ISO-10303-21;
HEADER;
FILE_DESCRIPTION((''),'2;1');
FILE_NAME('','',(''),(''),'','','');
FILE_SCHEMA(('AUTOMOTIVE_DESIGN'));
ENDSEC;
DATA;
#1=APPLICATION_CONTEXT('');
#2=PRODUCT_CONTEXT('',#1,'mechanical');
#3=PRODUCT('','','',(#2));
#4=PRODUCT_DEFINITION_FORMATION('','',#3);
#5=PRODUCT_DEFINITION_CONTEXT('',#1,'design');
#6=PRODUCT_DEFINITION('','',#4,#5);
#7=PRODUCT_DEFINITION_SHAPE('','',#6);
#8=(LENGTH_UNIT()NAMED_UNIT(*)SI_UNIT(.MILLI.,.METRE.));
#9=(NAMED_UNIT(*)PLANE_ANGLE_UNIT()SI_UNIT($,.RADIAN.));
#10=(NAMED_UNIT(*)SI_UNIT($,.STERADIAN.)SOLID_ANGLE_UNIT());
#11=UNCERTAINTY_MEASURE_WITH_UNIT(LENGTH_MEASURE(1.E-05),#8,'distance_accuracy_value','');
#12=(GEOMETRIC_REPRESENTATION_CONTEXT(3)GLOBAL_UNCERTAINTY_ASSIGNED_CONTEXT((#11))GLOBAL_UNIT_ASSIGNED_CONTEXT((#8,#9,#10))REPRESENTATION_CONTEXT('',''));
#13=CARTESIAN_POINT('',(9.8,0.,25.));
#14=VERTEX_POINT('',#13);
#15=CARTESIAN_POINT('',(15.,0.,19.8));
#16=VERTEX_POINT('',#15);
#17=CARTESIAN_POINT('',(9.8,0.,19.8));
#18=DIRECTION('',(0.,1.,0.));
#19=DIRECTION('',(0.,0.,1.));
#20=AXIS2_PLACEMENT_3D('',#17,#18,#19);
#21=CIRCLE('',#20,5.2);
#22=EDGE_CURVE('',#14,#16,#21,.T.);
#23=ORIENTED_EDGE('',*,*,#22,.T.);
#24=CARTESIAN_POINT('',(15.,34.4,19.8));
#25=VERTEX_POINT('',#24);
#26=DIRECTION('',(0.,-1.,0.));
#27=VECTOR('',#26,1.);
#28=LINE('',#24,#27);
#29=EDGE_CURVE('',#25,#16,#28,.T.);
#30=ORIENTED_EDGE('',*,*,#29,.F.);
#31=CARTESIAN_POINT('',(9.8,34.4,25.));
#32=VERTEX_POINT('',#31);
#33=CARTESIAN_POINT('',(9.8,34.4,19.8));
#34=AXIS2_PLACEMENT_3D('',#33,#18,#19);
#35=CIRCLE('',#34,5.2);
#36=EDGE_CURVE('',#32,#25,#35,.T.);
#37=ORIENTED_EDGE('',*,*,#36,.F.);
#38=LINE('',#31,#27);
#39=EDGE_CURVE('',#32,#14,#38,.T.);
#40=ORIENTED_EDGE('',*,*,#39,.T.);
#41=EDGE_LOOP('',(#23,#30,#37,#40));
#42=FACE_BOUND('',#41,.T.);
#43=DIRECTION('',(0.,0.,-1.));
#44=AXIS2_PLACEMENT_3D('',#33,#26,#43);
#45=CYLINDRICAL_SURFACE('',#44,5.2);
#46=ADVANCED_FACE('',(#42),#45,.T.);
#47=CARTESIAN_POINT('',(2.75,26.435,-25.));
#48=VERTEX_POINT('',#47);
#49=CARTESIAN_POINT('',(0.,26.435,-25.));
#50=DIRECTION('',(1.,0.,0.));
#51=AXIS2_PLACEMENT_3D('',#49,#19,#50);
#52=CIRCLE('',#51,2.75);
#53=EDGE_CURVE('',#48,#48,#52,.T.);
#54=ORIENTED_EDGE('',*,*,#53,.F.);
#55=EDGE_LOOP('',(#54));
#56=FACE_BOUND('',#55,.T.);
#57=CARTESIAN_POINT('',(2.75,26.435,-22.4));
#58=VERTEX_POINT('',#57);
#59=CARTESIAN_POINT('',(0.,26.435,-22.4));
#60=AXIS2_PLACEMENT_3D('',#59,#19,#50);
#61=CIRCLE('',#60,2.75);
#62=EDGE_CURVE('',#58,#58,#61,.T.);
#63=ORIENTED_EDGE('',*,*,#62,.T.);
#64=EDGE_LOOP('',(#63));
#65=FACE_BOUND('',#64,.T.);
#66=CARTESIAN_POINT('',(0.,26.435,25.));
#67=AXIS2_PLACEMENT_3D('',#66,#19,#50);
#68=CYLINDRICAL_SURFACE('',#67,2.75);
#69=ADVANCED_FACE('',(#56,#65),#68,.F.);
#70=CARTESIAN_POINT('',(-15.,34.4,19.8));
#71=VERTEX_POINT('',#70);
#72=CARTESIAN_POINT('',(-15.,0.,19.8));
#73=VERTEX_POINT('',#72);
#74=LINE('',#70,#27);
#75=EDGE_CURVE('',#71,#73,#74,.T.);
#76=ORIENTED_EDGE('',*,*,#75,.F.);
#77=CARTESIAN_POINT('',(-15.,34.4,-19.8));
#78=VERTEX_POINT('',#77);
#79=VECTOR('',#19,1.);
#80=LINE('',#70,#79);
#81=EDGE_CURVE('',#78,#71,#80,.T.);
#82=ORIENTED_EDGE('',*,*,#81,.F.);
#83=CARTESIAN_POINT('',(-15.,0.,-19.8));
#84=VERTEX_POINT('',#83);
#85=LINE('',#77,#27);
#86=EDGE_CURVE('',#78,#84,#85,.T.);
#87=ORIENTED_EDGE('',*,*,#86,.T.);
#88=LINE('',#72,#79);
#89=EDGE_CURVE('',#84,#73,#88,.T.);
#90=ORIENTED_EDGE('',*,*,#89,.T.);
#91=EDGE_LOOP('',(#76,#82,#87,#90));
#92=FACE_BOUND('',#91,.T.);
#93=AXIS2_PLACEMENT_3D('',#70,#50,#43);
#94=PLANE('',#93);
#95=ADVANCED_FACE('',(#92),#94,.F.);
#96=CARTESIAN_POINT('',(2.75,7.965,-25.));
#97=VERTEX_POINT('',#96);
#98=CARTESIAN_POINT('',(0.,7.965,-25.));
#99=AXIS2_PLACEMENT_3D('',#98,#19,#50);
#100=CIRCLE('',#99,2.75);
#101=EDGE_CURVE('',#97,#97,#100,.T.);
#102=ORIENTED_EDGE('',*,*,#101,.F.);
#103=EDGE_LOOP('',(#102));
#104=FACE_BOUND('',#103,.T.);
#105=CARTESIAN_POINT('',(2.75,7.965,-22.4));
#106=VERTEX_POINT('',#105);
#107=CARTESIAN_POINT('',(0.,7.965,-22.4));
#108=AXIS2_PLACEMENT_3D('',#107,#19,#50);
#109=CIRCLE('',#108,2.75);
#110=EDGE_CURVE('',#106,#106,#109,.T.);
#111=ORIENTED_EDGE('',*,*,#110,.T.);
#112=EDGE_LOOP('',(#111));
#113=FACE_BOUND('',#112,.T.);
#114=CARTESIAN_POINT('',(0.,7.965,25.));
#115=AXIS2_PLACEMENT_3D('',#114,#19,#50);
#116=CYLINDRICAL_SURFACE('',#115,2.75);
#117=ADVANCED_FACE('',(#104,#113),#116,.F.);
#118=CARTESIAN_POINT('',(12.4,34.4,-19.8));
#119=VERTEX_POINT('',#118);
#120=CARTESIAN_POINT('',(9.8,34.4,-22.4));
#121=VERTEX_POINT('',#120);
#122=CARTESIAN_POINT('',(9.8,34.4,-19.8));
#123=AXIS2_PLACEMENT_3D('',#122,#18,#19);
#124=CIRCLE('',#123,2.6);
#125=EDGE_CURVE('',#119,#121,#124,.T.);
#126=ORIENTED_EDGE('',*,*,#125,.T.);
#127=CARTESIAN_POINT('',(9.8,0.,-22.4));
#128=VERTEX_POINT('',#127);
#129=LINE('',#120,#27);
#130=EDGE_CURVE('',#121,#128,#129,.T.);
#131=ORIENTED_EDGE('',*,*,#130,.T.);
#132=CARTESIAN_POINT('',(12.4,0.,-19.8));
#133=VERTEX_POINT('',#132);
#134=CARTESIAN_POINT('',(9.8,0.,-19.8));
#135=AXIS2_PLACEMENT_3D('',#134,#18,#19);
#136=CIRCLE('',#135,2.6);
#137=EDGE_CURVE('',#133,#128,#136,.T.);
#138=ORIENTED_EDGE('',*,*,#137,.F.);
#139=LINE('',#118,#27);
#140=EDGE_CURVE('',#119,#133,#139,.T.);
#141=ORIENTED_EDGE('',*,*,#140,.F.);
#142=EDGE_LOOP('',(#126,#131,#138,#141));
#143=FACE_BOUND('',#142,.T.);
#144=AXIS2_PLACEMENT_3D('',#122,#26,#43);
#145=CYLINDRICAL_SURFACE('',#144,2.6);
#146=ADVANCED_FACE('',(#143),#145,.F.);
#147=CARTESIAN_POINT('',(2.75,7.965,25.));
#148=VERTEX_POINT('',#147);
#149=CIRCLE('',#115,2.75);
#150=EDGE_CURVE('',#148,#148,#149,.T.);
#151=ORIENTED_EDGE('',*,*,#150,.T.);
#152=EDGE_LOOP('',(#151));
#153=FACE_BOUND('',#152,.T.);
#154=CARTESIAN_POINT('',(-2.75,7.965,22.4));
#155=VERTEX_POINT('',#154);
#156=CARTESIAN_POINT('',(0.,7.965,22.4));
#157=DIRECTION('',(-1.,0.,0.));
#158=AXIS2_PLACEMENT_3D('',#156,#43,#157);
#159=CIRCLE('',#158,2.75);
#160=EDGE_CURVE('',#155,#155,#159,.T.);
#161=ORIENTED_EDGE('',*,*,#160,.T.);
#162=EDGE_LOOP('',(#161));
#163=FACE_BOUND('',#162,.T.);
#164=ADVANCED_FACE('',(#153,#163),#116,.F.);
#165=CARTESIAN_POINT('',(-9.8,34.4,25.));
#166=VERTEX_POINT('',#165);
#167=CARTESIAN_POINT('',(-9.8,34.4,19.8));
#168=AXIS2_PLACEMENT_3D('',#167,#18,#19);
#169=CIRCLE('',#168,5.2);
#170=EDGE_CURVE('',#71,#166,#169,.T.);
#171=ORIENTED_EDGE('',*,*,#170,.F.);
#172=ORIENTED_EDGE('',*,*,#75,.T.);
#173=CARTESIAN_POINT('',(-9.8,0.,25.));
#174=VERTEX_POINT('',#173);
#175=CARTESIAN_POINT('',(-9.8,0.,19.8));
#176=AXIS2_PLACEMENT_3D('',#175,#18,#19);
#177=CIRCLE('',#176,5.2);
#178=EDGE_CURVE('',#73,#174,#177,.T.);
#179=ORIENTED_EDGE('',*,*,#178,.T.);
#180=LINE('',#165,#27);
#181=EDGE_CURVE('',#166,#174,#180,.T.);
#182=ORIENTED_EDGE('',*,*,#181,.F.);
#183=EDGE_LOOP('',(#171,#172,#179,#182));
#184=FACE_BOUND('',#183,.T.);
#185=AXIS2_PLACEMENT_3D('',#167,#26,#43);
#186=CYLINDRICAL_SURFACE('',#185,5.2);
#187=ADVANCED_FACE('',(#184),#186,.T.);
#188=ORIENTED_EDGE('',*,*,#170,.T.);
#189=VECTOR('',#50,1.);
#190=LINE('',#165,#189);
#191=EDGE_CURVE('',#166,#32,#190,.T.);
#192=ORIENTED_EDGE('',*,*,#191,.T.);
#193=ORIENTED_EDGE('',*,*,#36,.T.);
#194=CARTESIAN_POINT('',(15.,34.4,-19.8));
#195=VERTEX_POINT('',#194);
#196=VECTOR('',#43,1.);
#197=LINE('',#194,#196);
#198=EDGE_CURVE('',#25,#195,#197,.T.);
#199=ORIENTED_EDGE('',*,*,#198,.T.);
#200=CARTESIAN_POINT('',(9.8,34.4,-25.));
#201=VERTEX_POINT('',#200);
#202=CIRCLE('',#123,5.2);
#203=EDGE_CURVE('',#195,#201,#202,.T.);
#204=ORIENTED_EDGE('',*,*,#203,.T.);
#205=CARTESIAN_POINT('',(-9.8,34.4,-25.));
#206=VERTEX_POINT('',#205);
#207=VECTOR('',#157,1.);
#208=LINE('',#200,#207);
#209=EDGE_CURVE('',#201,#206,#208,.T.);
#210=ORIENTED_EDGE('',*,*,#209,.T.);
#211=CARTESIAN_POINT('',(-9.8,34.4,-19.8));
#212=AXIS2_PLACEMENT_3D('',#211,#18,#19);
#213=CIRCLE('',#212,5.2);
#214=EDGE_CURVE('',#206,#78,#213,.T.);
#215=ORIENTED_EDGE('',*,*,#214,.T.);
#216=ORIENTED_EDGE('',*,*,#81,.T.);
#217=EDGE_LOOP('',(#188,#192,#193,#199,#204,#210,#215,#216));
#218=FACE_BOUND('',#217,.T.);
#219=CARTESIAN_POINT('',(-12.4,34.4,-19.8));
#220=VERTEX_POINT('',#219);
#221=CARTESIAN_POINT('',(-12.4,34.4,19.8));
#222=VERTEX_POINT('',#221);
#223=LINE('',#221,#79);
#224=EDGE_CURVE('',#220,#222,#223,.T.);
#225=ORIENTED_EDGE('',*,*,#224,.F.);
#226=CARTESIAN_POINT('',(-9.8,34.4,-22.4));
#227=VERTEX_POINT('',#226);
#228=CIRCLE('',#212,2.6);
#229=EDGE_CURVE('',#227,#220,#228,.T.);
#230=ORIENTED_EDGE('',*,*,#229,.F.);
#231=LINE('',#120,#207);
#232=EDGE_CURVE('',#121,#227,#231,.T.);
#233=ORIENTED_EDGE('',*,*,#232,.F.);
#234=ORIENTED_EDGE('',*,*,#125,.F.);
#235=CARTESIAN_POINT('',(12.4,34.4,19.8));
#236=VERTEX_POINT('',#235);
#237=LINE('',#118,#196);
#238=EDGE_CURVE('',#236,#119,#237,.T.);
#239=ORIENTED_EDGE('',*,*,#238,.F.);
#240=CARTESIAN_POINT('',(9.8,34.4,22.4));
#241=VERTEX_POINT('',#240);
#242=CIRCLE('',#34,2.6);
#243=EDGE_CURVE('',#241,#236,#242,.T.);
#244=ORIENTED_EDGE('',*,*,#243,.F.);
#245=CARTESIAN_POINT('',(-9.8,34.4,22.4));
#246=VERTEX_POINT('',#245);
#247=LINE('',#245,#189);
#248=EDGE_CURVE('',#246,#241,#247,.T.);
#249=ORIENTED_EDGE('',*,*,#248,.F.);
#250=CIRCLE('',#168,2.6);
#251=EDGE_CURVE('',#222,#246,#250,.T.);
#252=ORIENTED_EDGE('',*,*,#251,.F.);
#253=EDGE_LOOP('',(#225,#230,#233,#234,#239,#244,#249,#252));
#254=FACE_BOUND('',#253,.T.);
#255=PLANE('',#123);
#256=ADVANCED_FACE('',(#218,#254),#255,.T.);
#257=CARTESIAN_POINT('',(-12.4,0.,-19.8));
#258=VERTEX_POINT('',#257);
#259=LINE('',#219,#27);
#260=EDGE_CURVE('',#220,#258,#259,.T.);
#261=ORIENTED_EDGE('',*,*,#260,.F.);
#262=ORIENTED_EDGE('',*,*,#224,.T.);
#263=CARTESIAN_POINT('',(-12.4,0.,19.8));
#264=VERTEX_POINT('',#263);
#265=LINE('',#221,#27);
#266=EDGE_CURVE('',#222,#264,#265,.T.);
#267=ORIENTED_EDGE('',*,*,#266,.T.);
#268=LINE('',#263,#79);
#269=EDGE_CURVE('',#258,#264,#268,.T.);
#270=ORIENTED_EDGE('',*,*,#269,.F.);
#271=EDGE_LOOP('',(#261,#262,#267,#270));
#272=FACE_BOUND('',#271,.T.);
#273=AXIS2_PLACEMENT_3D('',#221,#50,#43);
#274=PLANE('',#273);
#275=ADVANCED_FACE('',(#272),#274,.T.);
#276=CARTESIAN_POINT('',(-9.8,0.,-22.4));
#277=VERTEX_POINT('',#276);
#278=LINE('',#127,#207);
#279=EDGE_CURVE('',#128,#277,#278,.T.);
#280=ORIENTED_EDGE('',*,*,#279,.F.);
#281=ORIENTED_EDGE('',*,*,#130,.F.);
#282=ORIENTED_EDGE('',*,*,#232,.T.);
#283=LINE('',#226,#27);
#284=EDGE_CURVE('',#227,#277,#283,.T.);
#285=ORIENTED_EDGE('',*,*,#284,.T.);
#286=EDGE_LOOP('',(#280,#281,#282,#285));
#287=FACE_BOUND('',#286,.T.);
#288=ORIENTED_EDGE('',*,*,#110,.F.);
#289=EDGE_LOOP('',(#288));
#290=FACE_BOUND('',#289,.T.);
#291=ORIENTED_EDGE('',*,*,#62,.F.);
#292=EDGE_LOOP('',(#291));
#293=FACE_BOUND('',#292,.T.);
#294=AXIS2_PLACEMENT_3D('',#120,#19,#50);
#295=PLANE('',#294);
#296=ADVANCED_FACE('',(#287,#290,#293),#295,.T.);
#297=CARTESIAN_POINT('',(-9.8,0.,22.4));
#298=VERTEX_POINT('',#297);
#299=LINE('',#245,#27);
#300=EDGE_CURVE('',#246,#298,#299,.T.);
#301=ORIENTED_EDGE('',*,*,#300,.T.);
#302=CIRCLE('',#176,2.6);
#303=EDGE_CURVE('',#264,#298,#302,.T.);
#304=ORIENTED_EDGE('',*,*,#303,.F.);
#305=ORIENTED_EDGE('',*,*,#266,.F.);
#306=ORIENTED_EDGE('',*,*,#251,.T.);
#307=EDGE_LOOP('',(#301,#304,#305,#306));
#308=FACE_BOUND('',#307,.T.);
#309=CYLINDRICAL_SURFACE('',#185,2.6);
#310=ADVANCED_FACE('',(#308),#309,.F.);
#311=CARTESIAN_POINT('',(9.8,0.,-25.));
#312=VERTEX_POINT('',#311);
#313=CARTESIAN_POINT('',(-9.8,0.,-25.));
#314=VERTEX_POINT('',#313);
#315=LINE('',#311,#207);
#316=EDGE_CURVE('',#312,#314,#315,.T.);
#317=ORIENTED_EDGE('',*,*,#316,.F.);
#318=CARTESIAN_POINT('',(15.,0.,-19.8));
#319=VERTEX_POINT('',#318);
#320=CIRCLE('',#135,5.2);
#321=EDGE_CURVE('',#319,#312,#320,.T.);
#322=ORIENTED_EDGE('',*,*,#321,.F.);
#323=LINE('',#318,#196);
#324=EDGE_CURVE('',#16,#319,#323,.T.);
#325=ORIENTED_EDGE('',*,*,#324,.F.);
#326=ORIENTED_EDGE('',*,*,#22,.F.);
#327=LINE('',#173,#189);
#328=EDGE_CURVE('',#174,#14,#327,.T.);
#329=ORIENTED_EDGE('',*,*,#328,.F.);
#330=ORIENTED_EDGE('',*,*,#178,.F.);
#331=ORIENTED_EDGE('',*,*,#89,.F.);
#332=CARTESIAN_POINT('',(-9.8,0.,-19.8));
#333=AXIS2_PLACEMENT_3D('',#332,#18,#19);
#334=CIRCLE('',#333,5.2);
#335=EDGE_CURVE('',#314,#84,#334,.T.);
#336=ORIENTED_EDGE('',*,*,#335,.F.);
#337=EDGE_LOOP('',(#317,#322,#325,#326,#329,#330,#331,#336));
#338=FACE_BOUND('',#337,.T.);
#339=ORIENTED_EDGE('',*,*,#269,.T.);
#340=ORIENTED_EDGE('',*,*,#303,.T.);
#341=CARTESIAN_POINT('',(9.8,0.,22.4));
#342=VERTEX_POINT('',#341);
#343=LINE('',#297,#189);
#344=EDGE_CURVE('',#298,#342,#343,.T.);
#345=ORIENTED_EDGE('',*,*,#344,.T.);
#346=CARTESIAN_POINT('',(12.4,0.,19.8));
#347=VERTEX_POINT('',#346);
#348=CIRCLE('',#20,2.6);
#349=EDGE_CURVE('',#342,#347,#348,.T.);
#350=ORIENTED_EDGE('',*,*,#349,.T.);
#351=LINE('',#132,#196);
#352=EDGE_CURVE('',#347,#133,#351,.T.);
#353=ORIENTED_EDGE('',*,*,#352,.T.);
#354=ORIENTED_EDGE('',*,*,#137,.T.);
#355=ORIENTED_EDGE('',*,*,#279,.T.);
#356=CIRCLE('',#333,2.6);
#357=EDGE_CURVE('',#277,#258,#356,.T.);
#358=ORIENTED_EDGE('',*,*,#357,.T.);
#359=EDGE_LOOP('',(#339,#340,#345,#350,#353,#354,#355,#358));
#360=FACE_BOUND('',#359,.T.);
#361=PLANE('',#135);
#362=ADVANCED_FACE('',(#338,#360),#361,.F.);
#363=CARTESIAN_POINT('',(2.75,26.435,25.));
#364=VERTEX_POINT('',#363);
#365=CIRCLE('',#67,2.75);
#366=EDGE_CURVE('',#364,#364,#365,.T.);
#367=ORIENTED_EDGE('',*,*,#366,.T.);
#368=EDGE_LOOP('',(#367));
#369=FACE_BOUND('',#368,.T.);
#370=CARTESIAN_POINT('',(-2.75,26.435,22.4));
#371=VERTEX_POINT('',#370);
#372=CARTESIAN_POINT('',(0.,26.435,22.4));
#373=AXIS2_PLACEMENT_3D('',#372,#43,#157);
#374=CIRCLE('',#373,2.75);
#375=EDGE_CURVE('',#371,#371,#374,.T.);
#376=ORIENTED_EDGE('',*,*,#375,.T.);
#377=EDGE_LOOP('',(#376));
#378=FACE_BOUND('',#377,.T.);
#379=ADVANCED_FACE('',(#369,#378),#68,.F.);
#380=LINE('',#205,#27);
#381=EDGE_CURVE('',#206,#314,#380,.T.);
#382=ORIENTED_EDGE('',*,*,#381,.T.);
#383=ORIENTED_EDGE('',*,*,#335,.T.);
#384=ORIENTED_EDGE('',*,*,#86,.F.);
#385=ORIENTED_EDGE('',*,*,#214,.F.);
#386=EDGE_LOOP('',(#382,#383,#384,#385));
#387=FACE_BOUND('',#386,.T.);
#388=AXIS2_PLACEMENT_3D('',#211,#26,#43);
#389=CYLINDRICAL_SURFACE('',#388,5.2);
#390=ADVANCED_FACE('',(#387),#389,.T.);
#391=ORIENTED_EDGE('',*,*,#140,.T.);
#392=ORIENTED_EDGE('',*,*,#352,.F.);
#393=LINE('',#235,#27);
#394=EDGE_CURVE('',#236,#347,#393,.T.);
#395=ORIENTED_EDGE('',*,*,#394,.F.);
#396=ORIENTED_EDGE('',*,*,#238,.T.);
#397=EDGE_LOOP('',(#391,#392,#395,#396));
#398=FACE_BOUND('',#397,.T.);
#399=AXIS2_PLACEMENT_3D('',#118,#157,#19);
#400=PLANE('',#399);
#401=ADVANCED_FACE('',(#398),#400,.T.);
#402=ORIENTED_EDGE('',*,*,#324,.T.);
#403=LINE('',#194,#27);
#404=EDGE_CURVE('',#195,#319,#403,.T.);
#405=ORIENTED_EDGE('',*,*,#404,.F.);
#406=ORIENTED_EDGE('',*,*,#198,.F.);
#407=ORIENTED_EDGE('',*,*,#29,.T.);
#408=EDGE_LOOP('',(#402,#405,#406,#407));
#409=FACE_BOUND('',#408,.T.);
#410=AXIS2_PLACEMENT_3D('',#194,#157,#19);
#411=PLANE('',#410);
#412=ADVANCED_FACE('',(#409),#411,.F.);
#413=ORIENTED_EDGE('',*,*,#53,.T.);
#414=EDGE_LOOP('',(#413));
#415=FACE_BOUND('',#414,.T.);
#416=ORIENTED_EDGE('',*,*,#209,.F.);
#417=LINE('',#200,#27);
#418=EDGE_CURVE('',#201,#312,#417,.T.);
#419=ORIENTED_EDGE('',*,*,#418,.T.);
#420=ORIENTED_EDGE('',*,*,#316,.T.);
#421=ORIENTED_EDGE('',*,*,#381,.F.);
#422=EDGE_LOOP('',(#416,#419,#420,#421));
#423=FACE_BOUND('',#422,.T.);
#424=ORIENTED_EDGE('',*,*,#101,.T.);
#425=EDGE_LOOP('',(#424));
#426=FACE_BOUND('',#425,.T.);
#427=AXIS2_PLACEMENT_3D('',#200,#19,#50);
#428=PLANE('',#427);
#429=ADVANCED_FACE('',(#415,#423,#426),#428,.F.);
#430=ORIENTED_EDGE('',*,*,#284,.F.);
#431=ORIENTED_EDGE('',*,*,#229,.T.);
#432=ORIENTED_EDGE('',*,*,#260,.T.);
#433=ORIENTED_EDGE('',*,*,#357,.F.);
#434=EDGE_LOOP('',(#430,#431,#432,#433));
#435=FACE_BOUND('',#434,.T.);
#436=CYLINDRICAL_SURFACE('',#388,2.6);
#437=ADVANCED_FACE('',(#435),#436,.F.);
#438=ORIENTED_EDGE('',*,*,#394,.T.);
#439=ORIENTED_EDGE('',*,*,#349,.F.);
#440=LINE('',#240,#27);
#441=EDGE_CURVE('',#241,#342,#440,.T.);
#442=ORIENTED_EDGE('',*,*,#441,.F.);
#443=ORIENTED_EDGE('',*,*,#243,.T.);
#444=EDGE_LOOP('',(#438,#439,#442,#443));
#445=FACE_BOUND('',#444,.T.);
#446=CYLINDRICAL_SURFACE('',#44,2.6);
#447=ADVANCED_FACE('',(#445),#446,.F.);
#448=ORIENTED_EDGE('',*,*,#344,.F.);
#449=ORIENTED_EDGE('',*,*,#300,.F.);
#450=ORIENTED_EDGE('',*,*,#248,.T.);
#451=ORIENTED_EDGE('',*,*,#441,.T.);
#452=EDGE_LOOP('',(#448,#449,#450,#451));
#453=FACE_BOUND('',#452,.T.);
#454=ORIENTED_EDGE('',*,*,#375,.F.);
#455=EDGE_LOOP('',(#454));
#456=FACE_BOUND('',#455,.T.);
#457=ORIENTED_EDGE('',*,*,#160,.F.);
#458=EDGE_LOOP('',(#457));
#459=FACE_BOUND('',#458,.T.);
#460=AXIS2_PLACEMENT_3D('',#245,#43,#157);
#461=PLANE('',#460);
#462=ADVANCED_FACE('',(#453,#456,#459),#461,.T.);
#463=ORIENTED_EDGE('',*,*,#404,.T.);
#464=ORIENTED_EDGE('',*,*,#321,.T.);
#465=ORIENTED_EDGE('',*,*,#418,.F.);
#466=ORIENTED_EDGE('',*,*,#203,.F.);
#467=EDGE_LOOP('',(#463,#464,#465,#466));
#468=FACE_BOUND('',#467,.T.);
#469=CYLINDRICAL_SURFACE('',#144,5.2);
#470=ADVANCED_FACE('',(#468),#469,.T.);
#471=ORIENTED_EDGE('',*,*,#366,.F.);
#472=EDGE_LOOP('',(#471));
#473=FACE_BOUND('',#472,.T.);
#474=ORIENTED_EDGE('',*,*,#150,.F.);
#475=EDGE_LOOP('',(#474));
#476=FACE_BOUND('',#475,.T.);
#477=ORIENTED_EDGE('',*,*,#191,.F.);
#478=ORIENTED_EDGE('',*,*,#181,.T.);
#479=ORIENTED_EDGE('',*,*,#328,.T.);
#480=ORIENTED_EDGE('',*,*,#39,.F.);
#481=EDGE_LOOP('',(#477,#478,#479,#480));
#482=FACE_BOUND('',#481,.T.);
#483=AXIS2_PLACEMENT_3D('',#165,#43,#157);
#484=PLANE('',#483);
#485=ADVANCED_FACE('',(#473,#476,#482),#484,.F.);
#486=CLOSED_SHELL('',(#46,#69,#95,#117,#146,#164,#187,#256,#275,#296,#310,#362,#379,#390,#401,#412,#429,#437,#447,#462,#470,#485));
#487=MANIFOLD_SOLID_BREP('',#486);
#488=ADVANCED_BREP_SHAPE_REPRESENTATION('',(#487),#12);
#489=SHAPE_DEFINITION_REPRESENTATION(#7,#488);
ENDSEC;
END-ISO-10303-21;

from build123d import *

# Parameters (mm, degrees)
RECTANGULAR_TUBE_CONFIGURED_50_X_30_X_DEPTH = 34.4
M5_CLEARANCE_HOLE1_D                        = 5.5


with BuildPart() as part:
    # Sketch13 → Rectangular tube - configured 50 X 30 X 2.6(1) (new body)
    with BuildSketch(Plane(origin=(0, 0, 0), x_dir=(1, 0, 0), z_dir=(0, 1, 0))):
        with BuildLine():
            Line((-9.8, -25), (9.8, -25))
            ThreePointArc((9.8, -25), (13.476955262, -23.476955262), (15, -19.8))
            Line((15, -19.8), (15, 19.8))
            ThreePointArc((15, 19.8), (13.476955262, 23.476955262), (9.8, 25))
            Line((9.8, 25), (-9.8, 25))
            ThreePointArc((-9.8, 25), (-13.476955262, 23.476955262), (-15, 19.8))
            Line((-15, 19.8), (-15, -19.8))
            ThreePointArc((-15, -19.8), (-13.476955262, -23.476955262), (-9.8, -25))
        make_face()
        with BuildLine():
            Line((-9.8, -22.4), (9.8, -22.4))
            ThreePointArc((9.8, -22.4), (11.638477631, -21.638477631), (12.4, -19.8))
            Line((12.4, -19.8), (12.4, 19.8))
            ThreePointArc((12.4, 19.8), (11.638477631, 21.638477631), (9.8, 22.4))
            Line((9.8, 22.4), (-9.8, 22.4))
            ThreePointArc((-9.8, 22.4), (-11.638477631, 21.638477631), (-12.4, 19.8))
            Line((-12.4, 19.8), (-12.4, -19.8))
            ThreePointArc((-12.4, -19.8), (-11.638477631, -21.638477631), (-9.8, -22.4))
        make_face(mode=Mode.SUBTRACT)
    extrude(amount=RECTANGULAR_TUBE_CONFIGURED_50_X_30_X_DEPTH)

    # M5 Clearance Hole1 (through all)
    with Locations(Plane(origin=(0, 26.435, 25), x_dir=(1, 0, 0), z_dir=(0, 0, 1))):
        with Locations((0, 0), (0, -18.47)):
            Hole(M5_CLEARANCE_HOLE1_D / 2)


solid = part.part
